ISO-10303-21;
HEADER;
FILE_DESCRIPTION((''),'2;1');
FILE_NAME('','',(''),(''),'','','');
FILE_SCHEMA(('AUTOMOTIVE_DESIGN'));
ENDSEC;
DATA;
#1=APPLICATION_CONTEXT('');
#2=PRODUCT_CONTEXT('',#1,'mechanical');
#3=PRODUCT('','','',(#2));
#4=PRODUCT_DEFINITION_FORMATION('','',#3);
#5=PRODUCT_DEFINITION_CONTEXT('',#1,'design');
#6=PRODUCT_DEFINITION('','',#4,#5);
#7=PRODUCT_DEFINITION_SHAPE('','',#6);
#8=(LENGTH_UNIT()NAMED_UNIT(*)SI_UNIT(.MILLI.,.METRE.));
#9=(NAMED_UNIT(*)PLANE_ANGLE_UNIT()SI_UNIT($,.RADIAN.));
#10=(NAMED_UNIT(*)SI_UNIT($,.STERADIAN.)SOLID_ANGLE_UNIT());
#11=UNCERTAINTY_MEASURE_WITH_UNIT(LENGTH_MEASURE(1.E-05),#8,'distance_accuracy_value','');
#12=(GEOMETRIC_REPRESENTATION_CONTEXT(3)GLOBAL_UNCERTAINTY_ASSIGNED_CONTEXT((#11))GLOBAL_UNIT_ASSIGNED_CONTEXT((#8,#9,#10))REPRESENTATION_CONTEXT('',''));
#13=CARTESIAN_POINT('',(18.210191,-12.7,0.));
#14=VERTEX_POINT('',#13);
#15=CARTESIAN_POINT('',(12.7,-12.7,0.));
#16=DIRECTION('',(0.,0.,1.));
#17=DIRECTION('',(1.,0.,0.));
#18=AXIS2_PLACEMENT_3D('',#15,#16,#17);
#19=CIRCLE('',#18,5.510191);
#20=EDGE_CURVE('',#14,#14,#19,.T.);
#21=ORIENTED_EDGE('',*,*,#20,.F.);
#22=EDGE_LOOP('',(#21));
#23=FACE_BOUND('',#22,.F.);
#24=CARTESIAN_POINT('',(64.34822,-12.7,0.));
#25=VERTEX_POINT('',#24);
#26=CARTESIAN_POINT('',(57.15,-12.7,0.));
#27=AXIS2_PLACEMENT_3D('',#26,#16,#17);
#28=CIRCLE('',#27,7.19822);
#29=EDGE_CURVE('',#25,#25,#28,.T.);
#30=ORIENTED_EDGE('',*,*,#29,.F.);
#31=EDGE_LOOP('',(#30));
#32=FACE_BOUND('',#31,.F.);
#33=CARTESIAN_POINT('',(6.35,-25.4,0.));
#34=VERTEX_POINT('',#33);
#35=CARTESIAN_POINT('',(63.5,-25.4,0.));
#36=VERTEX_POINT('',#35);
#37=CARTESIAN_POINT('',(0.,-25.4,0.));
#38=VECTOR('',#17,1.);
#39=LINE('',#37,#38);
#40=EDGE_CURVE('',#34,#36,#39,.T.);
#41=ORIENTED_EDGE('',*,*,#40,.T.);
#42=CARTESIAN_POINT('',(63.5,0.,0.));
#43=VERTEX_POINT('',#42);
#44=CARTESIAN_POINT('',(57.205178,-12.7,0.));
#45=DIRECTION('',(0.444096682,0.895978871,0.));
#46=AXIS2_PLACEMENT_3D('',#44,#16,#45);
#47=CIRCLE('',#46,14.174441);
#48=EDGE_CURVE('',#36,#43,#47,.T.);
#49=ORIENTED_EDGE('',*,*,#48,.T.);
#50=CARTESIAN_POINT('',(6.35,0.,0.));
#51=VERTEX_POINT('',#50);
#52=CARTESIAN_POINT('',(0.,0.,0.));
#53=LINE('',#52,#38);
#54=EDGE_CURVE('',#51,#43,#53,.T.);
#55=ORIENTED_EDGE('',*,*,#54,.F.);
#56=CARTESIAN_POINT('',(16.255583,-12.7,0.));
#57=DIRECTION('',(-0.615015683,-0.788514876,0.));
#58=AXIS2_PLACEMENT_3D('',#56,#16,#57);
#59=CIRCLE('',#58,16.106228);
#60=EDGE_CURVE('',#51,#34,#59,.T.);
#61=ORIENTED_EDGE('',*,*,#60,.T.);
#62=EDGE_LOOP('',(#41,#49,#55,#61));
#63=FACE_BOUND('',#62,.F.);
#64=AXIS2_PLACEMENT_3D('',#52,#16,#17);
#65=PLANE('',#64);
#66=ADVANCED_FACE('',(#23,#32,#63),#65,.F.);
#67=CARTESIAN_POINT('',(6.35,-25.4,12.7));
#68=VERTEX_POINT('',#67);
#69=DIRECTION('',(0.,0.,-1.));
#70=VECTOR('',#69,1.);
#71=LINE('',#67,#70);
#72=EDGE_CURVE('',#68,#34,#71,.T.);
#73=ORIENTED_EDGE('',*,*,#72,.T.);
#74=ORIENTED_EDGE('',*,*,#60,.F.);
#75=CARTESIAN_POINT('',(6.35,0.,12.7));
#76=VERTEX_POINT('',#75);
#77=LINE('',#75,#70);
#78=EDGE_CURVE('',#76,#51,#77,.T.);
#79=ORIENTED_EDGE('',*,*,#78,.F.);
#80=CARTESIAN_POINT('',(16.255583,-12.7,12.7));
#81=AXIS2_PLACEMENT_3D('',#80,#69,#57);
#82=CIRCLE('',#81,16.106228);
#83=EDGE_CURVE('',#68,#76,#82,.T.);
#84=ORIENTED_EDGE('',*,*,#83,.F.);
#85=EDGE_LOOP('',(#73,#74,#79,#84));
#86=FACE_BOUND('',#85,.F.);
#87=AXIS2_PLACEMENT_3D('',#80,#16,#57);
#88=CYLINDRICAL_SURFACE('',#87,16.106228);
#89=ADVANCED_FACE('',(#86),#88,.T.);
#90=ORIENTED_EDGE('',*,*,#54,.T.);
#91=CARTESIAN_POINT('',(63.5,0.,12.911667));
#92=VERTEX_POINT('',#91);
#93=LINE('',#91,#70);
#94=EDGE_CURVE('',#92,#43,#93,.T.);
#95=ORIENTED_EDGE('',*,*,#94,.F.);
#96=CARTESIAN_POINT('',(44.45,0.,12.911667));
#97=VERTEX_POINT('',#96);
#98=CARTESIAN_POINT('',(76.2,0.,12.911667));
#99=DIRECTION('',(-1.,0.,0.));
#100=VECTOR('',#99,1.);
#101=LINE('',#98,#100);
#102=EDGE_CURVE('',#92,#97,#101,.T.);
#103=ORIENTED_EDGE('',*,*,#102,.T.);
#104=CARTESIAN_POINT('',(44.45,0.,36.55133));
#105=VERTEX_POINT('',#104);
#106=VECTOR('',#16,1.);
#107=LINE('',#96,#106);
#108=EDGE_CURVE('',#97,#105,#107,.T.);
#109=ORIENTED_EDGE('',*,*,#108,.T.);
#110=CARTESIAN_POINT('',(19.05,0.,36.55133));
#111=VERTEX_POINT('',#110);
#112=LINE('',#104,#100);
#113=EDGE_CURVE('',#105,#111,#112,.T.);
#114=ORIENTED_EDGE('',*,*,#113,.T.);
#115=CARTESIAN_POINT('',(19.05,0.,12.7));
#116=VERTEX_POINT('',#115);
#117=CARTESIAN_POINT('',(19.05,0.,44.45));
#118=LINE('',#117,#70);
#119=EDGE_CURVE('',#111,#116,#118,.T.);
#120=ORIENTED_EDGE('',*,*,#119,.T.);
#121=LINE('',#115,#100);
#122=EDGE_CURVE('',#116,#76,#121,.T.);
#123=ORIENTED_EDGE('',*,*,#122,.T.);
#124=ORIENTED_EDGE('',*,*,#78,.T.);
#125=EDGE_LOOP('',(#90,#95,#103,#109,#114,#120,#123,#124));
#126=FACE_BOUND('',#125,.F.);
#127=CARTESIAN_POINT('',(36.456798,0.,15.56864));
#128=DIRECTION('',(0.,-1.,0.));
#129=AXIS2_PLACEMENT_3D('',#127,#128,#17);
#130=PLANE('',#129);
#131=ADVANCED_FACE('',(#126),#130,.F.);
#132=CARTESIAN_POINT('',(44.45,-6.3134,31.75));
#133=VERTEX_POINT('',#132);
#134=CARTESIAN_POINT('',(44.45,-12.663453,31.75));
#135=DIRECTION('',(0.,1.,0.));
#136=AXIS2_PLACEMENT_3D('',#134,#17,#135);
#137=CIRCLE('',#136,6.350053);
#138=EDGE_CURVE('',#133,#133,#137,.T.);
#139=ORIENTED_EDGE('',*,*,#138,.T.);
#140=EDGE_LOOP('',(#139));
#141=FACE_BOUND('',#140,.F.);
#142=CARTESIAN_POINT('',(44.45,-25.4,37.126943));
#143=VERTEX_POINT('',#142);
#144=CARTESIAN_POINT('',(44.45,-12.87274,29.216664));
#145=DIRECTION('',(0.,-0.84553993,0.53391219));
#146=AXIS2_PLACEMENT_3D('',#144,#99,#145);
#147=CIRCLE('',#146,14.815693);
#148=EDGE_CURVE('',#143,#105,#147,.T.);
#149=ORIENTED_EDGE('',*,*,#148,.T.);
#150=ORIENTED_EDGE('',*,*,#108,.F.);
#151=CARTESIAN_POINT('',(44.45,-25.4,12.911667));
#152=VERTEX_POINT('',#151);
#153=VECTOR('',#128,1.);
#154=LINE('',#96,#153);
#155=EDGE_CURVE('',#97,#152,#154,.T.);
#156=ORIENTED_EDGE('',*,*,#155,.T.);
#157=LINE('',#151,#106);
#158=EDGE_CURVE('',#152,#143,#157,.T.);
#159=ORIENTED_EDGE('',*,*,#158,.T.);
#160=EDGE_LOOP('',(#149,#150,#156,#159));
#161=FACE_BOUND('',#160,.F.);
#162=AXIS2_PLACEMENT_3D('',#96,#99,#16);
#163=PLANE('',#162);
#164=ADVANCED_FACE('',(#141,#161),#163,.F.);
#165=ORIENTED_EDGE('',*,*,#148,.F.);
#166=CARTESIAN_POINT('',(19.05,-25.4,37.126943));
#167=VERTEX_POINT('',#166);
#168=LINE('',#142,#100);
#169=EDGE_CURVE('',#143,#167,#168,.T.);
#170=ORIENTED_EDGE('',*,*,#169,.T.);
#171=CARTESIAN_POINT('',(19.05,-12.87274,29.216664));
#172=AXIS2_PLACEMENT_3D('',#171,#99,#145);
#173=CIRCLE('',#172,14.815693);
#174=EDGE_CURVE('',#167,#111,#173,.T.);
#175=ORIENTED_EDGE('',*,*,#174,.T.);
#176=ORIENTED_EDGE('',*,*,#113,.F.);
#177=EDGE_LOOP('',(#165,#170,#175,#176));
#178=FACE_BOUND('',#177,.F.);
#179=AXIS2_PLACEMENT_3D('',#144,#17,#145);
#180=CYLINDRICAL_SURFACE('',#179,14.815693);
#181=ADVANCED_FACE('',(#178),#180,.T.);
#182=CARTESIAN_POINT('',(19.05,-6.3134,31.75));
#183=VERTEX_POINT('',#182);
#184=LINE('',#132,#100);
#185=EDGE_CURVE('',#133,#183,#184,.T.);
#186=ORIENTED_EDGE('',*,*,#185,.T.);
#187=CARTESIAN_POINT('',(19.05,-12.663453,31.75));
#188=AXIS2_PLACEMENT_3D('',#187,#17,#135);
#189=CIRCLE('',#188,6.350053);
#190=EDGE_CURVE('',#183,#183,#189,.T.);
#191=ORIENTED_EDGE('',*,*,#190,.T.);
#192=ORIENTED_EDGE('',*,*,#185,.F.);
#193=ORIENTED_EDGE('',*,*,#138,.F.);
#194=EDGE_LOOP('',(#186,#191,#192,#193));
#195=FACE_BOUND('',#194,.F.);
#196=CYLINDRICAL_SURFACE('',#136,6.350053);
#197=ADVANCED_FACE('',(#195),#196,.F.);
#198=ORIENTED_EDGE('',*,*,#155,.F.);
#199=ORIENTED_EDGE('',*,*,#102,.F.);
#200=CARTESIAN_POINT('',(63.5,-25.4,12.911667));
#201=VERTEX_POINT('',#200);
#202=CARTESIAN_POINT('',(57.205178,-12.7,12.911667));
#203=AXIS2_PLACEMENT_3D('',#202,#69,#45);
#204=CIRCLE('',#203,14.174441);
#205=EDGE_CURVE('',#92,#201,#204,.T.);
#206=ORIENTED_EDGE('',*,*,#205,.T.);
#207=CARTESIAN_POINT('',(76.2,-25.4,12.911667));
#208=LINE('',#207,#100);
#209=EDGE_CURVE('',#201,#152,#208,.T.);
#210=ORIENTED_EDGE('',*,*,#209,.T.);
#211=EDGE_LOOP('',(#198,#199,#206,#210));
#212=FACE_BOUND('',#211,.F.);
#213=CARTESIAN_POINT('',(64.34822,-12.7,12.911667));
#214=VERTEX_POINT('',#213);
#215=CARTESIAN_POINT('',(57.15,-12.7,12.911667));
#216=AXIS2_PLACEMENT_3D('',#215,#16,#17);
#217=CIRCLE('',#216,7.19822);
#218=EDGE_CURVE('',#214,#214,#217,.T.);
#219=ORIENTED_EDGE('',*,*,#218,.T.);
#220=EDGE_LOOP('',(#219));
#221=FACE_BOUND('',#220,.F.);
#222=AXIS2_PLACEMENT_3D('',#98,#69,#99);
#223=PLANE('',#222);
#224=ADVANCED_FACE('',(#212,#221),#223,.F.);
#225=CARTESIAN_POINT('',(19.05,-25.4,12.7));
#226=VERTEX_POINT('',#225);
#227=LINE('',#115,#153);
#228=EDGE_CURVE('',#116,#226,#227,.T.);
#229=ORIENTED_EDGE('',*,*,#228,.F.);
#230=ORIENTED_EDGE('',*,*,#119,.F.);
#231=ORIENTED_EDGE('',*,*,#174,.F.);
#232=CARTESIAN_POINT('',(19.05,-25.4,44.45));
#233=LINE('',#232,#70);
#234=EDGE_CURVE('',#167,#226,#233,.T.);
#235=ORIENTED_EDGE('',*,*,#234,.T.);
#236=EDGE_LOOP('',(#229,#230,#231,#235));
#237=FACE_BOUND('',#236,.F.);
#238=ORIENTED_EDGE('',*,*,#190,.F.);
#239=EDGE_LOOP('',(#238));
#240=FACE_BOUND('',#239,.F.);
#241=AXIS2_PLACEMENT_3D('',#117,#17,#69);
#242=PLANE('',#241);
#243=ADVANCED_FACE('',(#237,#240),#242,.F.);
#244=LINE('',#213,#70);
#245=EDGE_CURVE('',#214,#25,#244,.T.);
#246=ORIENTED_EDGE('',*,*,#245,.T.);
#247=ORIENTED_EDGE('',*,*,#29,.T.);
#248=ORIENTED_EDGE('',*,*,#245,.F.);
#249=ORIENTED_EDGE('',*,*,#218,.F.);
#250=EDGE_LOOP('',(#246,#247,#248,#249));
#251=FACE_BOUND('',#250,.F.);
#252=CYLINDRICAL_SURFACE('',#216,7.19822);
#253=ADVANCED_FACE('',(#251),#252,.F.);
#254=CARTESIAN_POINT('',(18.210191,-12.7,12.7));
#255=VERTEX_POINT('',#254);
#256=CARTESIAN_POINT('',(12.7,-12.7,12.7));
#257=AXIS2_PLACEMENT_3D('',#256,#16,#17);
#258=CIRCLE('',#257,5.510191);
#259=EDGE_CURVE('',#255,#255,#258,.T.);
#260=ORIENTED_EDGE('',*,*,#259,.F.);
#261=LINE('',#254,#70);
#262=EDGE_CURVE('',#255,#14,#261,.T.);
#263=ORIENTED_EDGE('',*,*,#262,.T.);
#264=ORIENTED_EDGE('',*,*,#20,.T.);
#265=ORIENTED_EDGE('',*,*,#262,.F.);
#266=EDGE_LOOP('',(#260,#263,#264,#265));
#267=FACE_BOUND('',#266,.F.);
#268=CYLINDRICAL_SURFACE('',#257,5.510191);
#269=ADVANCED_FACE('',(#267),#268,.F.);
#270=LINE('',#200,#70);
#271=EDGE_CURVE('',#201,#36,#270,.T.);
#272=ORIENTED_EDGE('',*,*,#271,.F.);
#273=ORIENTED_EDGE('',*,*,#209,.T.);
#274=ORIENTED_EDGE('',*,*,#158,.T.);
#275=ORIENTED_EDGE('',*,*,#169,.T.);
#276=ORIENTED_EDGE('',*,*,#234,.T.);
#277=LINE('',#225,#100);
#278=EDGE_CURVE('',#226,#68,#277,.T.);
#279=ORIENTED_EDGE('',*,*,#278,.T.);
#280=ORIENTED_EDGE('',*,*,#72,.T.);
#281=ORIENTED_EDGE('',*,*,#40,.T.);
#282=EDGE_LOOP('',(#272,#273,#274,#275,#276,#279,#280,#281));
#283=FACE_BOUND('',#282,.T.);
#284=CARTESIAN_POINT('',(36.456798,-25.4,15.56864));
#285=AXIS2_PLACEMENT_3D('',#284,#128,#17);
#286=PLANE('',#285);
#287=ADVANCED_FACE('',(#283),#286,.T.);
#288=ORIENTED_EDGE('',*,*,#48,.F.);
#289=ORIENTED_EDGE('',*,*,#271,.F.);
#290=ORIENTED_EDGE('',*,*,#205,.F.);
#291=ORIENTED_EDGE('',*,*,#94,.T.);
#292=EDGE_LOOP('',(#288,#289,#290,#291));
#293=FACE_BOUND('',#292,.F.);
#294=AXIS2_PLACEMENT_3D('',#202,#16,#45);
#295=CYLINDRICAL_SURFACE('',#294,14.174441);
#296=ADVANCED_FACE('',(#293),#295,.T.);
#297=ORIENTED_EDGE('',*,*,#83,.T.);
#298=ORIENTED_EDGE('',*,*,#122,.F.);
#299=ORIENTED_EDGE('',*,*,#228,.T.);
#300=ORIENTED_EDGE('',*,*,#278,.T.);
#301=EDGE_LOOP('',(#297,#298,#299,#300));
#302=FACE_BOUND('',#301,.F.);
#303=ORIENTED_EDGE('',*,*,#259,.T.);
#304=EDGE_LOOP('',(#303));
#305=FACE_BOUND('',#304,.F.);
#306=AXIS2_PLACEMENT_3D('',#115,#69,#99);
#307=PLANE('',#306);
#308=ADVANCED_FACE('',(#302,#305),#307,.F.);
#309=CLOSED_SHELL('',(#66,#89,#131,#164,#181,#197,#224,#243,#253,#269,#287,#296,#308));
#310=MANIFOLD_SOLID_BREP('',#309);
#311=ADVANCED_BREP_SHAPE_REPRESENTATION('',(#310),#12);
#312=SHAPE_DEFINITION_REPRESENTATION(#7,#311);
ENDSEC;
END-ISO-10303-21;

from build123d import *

# Parameters (mm, degrees)
F1_DEPTH = 25.4
F2_R     = 6.350053
F3_DEPTH = 25.4
F4_R     = 7.19822
F5_DEPTH = 25.4
F6_R     = 5.510191
F7_DEPTH = 25.4


with BuildPart() as f1:
    # F0 (on Front) → F1 (new body)
    with BuildSketch(Plane.XZ):
        Polygon((0, 12.7), (0, 0), (76.2, 0), (76.2, 12.911667), (44.45, 12.911667), (44.45, 44.45), (19.05, 44.45), (19.05, 12.7), align=None)
    extrude(amount=F1_DEPTH)

    # F2 (on face) → F3 (cut)
    with BuildSketch(Plane.YZ.offset(44.45)):
        with BuildLine():
            ThreePointArc((-25.4, 37.126943), (-12.537074, 44.028554), (0, 36.55133))
            Line((0, 36.55133), (0, 44.45))
            Line((0, 44.45), (-25.4, 44.45))
            Line((-25.4, 44.45), (-25.4, 37.126943))
        make_face()
        with Locations((-12.663453, 31.75)):
            Circle(F2_R)
    extrude(amount=-F3_DEPTH, mode=Mode.SUBTRACT)

    # F4 (on face) → F5 (cut)
    with BuildSketch(Plane.XY.offset(12.911667)):
        with Locations((57.15, -12.7)):
            Circle(F4_R)
        with BuildLine():
            ThreePointArc((63.5, 0), (71.379619, -12.7), (63.5, -25.4))
            Line((63.5, -25.4), (76.2, -25.4))
            Line((76.2, -25.4), (76.2, 0))
            Line((76.2, 0), (63.5, 0))
        make_face()
    extrude(amount=-F5_DEPTH, mode=Mode.SUBTRACT)

    # F6 (on face) → F7 (cut)
    with BuildSketch(Plane.XY.offset(12.7)):
        with BuildLine():
            ThreePointArc((6.35, -25.4), (0.149355, -12.7), (6.35, 0))
            Line((6.35, 0), (0, 0))
            Line((0, 0), (0, -25.4))
            Line((0, -25.4), (6.35, -25.4))
        make_face()
        with Locations((12.7, -12.7)):
            Circle(F6_R)
    extrude(amount=-F7_DEPTH, mode=Mode.SUBTRACT)


solid = f1.part
